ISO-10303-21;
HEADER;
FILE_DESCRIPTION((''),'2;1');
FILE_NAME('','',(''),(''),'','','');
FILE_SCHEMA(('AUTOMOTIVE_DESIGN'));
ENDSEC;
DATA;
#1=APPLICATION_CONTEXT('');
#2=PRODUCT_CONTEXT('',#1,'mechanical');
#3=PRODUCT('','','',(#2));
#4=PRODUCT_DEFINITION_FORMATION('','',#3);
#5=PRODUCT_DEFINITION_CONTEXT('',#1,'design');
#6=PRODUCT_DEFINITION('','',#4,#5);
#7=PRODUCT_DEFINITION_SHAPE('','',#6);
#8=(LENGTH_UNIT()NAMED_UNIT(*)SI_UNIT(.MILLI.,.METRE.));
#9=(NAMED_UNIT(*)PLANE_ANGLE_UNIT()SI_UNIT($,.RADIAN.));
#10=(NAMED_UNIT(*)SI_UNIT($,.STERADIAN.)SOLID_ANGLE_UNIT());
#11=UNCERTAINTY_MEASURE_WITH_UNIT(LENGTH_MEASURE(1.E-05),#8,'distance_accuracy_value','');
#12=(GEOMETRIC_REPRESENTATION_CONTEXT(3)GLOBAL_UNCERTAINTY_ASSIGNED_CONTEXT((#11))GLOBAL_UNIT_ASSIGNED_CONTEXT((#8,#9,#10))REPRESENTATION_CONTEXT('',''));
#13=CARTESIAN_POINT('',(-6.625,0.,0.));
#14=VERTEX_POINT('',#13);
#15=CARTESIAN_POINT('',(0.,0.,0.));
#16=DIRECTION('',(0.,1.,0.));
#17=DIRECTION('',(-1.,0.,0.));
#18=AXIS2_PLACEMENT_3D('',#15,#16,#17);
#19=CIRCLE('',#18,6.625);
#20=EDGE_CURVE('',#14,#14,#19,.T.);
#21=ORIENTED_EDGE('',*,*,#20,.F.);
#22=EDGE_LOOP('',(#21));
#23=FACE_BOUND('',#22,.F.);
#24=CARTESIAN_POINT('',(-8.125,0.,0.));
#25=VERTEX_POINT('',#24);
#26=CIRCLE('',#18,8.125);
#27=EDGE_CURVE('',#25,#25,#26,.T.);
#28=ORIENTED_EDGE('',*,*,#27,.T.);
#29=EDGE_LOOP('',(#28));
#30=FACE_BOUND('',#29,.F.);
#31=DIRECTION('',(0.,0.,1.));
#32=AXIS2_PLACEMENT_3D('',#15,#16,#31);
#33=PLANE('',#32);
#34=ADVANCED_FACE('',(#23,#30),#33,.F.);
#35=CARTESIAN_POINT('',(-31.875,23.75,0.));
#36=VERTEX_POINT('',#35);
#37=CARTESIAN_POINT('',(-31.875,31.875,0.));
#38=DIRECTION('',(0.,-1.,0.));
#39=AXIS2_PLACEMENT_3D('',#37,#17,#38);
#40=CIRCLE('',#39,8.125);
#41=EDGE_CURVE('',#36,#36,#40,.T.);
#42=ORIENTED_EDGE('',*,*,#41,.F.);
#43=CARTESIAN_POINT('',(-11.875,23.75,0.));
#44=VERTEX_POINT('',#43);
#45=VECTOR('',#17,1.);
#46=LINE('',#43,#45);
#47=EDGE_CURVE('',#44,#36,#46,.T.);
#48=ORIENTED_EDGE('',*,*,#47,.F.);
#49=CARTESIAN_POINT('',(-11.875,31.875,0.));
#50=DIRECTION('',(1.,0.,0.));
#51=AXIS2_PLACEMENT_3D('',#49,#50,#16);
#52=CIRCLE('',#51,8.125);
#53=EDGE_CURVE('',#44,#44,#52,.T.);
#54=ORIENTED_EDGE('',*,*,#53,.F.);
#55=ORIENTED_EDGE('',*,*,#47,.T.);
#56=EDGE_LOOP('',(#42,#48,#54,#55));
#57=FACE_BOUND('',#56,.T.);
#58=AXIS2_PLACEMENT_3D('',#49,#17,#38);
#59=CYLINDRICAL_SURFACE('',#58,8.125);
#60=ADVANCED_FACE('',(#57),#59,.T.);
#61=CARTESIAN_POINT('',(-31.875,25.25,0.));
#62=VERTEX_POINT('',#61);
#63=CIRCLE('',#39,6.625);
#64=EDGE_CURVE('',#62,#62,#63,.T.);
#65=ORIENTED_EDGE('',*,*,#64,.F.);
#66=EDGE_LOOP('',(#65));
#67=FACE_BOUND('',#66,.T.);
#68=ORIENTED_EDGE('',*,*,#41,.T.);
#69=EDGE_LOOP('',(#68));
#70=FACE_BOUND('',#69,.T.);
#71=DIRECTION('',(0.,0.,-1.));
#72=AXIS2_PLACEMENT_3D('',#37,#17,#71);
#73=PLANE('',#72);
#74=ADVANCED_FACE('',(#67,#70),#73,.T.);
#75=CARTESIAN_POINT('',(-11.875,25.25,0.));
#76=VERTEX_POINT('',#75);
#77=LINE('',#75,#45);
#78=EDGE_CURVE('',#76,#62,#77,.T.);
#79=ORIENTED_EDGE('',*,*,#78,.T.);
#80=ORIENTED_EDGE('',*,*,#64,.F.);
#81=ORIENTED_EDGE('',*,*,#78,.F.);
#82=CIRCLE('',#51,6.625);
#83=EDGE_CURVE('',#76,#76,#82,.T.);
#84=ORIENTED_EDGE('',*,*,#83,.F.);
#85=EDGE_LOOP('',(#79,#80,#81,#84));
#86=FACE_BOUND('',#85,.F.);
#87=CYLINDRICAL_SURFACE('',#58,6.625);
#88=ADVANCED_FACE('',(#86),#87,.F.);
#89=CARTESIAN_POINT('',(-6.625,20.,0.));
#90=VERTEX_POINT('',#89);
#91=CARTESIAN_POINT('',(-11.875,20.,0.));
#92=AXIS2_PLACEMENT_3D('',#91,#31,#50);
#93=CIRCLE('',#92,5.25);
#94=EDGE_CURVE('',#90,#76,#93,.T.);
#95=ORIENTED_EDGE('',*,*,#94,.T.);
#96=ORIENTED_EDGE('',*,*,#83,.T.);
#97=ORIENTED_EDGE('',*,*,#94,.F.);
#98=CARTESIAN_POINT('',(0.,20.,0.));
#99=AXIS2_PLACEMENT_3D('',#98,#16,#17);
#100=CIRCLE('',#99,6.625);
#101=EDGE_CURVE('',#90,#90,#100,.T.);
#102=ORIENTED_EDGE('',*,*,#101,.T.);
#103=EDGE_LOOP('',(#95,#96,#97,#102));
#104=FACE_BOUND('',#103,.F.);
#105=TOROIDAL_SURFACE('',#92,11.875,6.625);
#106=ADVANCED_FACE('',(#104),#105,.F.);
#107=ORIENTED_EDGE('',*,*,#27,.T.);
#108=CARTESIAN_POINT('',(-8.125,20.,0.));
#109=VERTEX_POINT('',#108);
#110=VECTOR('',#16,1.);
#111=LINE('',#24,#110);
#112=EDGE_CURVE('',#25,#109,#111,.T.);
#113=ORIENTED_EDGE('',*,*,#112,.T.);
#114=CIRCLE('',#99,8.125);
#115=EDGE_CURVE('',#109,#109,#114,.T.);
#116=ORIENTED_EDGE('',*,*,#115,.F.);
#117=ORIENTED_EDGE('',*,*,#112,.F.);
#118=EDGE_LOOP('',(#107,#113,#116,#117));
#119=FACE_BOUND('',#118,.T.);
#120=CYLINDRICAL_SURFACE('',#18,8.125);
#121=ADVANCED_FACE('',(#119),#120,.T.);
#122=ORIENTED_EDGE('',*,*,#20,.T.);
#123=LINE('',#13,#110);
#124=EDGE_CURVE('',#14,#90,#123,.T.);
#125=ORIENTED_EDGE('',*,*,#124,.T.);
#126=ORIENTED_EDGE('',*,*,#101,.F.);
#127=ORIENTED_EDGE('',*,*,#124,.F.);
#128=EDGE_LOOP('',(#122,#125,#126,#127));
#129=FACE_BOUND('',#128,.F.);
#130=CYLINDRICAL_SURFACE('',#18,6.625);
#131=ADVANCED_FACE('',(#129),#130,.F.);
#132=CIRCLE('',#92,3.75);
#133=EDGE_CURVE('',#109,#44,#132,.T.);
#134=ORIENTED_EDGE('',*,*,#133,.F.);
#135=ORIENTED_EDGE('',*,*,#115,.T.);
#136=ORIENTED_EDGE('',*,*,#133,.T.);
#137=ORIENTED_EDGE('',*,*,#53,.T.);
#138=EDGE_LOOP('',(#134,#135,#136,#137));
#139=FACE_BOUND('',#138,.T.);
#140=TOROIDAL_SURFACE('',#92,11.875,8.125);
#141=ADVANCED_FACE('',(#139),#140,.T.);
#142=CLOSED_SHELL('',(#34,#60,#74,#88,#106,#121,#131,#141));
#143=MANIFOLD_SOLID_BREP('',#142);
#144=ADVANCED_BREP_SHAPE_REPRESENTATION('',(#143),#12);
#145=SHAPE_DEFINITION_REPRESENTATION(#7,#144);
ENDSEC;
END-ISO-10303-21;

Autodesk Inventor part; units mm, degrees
ref_plane "YZ Plane" through (0, 0, 0) normal (1, 0, 0) x (0, 1, 0)
ref_plane "XZ Plane" through (0, 0, 0) normal (0, 1, 0) x (-1, 0, 0)
ref_plane "XY Plane" through (0, 0, 0) normal (0, 0, 1) x (1, 0, 0)
sketch "Sketch1" plane through (0, 0, 0) normal (0, 1, 0) x (-1, 0, 0)
  circle A0 centre (0, 0) radius 8.125
  circle A1 centre (0, 0) radius 6.625
  dimension "d0" = 16.25
  dimension "d1" = 13.25
sketch "Sketch3" plane through (0, 0, 0) normal (0, 0, 1) x (1, 0, 0)
  line L0 (8.125, 0) -> (8.125, 20)
  line L1 (8.125, 0) -> (28.125, 0) construction
  arc A0 (8.125, 20) -> (-11.875, 40) centre (-11.875, 20) ccw
  line L2 (-11.875, 40) -> (-31.875, 40)
  point P0 (0, 0)
  dimension "d5" = 20
  dimension "d6" = 90
  dimension "d7" = 20
  dimension "d10" = 20
sweep "Sweep1" add profiles "Sketch1" path "Sketch3"
properties part number "Effector Wire Conduit"
